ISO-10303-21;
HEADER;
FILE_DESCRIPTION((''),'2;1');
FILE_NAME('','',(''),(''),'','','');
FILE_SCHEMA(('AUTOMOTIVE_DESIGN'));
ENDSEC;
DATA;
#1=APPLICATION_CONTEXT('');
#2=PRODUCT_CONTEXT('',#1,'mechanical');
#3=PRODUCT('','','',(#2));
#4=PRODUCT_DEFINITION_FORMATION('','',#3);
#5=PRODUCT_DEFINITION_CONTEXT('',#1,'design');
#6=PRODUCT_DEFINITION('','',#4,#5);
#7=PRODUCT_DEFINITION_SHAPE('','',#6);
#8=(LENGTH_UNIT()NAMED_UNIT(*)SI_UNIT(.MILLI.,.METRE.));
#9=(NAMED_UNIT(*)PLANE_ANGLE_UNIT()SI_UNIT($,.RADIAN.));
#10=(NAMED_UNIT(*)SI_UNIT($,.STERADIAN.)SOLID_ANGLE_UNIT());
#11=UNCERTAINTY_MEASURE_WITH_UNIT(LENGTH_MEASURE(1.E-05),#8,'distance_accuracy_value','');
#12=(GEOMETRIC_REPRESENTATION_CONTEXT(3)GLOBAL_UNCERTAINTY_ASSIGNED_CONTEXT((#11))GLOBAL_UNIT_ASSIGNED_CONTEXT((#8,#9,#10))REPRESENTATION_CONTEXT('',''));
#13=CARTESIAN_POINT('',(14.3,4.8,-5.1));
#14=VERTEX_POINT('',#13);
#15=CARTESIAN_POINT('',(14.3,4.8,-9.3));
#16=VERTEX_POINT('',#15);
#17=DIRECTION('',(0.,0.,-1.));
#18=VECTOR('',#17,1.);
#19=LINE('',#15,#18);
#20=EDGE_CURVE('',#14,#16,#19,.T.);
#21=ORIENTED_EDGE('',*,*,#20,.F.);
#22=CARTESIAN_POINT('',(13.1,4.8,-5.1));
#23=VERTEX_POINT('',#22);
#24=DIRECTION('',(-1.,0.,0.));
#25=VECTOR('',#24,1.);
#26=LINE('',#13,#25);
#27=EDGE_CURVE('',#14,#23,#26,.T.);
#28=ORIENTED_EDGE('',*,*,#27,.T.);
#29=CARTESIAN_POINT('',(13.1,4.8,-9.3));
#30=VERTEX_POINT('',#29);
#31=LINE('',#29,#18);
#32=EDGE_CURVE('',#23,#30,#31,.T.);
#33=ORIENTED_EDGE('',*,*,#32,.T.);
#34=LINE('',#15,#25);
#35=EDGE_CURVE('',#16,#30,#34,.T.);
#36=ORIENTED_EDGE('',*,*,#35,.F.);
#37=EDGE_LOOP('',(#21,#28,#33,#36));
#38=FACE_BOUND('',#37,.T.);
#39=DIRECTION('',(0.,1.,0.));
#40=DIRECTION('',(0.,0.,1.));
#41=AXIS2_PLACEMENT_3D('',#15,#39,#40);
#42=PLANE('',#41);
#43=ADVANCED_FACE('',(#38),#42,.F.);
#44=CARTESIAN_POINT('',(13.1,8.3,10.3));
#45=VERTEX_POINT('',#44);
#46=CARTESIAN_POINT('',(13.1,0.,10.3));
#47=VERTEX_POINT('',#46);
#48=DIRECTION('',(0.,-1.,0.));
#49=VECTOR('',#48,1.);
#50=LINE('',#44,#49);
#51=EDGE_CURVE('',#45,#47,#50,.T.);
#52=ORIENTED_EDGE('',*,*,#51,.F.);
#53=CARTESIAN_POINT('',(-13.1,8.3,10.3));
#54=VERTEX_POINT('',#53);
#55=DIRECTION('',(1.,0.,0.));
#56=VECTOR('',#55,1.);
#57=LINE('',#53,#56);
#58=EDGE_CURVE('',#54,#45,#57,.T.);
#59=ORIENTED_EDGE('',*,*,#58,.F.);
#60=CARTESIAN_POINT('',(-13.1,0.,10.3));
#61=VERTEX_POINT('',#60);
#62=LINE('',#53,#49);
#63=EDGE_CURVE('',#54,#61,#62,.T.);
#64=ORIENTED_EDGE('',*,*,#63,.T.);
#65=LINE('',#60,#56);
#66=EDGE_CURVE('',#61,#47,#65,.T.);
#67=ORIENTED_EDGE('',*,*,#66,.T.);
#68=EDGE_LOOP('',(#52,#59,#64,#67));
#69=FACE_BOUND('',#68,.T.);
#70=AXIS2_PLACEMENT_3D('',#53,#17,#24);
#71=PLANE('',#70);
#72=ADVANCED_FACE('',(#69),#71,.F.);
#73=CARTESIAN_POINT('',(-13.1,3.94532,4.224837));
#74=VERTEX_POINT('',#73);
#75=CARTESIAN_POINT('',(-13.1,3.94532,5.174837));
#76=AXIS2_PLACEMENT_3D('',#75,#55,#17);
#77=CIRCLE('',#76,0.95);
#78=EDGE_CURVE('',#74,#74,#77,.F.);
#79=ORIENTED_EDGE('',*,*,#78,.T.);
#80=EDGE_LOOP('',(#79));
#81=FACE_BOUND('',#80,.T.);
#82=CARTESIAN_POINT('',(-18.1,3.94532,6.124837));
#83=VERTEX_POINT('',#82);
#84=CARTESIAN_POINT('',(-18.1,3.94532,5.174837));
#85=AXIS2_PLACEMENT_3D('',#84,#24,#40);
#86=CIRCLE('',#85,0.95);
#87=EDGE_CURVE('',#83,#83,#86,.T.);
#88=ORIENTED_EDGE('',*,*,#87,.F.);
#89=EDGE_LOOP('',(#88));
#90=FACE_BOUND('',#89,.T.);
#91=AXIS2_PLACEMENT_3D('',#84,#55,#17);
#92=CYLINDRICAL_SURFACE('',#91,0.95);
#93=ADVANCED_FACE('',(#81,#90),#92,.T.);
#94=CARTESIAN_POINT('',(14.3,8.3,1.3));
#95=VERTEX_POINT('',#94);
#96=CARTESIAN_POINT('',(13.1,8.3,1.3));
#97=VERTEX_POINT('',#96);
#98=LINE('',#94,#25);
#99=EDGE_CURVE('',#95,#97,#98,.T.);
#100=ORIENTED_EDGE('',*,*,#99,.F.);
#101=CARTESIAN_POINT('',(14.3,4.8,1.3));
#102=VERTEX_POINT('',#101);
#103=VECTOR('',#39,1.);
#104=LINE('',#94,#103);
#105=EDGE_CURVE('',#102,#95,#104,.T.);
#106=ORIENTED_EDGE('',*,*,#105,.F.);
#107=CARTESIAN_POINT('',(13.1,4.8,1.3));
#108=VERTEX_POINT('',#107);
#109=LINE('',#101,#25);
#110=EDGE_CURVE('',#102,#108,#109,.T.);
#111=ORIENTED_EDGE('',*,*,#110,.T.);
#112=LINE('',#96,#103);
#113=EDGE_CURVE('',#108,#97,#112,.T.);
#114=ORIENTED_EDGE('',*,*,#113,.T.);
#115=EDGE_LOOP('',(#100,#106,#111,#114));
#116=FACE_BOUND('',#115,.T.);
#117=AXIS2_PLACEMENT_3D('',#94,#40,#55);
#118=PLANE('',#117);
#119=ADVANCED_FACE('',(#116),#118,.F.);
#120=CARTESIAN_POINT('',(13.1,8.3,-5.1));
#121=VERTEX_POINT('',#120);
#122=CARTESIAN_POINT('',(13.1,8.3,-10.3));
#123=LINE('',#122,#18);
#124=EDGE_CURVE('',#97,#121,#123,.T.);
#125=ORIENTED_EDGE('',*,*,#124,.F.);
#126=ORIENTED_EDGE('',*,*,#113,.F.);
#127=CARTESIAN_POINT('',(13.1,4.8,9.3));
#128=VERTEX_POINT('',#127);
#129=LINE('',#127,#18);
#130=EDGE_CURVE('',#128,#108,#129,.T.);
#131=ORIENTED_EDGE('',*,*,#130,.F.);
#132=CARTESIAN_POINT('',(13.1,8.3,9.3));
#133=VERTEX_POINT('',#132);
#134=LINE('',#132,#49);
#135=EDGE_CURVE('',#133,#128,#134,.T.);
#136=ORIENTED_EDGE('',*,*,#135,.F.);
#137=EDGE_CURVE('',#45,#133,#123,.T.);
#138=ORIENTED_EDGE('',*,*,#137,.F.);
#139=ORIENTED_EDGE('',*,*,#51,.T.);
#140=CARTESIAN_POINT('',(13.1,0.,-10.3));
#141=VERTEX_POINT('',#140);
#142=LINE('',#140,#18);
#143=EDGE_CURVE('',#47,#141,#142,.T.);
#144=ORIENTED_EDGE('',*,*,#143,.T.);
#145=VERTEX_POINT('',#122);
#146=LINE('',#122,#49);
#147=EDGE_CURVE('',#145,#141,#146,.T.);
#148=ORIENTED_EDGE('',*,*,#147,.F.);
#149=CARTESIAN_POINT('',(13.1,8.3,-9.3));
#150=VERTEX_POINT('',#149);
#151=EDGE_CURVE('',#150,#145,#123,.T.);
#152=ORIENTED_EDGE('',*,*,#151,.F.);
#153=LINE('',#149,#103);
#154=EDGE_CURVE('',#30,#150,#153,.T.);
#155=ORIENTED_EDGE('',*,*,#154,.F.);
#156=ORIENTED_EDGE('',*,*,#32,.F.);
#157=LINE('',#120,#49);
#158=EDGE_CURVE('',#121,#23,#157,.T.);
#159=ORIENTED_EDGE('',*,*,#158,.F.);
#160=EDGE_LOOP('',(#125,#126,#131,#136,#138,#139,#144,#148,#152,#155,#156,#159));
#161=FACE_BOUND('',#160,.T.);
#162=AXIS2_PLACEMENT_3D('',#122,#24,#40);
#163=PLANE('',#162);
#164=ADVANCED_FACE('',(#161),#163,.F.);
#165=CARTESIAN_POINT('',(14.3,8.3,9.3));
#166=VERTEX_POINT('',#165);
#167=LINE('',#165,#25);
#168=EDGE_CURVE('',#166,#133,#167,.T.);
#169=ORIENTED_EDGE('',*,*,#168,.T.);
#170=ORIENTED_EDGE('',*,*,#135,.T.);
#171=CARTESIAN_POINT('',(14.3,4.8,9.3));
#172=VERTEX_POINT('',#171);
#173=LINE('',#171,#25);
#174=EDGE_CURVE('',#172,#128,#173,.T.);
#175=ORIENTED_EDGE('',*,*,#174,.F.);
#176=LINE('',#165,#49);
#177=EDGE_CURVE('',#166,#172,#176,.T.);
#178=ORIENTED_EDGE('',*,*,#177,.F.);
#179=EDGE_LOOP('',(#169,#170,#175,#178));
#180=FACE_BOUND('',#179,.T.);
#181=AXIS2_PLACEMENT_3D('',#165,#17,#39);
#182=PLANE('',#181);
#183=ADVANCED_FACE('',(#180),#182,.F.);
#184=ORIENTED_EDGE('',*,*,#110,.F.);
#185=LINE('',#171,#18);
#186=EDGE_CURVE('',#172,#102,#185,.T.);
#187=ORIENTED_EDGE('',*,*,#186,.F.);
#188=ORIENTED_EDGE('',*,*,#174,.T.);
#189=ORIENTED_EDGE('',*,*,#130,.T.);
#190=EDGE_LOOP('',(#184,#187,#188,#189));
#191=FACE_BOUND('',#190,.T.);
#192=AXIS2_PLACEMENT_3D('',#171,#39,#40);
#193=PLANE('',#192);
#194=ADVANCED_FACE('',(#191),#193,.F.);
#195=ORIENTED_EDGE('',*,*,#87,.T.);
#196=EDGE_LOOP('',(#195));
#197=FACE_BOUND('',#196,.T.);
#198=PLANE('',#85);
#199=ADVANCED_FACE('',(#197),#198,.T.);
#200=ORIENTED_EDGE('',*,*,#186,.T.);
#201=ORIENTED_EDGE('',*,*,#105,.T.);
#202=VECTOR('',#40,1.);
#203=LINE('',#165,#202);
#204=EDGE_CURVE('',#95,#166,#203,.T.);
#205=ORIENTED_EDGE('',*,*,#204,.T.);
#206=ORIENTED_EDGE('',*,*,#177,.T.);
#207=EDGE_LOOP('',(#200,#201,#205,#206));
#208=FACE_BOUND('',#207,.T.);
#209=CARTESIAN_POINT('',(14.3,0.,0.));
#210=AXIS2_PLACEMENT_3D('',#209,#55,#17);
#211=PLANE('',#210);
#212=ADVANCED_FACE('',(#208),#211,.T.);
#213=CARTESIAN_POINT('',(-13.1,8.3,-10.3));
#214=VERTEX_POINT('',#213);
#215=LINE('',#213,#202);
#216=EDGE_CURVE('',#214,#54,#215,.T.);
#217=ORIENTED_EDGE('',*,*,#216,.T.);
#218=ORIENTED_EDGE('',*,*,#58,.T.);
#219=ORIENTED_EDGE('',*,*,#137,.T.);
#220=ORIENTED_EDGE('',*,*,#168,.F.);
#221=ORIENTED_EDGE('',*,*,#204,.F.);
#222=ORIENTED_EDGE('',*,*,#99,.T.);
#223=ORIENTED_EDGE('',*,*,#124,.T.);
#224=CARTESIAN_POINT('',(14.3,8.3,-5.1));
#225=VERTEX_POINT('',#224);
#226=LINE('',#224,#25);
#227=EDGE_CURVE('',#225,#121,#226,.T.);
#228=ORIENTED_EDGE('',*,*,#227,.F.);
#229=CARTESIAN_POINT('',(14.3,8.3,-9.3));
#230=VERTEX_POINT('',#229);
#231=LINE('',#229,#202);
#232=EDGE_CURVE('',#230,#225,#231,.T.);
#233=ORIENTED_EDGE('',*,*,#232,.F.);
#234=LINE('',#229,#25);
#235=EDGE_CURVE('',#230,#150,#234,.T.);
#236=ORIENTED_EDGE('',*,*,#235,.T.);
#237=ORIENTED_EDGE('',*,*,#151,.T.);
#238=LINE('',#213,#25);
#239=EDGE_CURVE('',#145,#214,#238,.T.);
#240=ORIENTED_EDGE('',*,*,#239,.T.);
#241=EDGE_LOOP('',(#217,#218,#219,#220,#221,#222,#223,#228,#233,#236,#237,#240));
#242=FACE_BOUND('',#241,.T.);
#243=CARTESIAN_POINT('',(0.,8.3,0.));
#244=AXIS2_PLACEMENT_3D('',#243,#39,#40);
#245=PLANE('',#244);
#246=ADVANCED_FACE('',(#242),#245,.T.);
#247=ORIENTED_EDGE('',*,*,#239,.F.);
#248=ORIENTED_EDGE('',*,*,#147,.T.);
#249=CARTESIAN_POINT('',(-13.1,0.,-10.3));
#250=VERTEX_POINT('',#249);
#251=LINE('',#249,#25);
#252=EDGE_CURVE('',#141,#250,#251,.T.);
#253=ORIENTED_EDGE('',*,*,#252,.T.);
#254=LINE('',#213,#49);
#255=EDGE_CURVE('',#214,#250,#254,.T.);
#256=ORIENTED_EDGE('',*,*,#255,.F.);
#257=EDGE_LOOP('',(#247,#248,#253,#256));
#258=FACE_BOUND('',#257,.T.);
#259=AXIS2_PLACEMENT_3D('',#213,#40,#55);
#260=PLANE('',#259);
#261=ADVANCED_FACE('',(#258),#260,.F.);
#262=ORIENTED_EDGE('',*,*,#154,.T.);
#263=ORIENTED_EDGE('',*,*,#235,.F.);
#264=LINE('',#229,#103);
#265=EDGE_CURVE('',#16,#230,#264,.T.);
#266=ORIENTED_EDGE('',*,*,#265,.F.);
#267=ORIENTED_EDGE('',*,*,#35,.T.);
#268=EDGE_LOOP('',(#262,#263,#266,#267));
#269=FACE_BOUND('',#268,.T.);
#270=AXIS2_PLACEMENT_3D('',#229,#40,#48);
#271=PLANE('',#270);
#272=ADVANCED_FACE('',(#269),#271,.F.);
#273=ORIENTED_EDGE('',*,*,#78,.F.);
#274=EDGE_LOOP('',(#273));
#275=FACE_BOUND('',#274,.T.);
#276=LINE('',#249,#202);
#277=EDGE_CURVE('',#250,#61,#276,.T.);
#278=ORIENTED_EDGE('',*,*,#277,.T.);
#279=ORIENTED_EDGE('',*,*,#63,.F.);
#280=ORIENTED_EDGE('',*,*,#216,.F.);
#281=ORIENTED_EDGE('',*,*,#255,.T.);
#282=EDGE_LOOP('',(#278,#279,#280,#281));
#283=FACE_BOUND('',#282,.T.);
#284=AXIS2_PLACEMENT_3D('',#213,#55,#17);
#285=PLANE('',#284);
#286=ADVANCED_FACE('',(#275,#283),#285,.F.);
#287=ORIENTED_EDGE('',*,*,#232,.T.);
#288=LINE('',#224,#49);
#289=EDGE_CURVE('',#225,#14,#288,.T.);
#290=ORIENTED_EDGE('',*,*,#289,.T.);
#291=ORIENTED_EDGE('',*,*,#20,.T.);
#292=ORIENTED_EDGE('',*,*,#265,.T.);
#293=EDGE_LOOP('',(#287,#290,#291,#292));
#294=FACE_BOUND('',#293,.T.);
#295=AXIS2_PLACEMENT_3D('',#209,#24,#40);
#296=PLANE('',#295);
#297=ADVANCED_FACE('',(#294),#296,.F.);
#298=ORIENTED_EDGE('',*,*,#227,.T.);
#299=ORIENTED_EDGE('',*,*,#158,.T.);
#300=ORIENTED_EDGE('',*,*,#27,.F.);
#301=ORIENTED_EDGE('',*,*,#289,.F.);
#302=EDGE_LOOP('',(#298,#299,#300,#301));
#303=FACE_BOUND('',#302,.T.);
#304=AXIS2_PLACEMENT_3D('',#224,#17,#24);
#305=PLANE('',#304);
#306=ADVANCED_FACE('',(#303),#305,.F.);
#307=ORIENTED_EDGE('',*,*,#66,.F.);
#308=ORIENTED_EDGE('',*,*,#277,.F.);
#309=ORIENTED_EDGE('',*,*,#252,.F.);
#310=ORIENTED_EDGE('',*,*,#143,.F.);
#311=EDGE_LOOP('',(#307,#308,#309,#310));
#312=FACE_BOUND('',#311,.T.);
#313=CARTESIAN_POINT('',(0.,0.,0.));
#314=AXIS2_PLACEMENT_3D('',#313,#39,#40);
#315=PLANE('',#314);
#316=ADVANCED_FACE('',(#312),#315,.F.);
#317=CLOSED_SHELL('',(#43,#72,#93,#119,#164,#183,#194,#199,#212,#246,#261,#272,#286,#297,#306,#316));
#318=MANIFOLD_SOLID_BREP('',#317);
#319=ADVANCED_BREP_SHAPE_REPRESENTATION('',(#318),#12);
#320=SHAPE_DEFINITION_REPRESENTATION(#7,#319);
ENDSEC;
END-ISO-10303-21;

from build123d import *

# Parameters (mm, degrees)
SKETCH1_W           = 26.2
SKETCH1_H           = 20.6
BOSS_EXTRUDE1_DEPTH = 8.3
SKETCH2_W           = 8
SKETCH2_H           = 3.5
SKETCH2_W_2         = 4.2
BOSS_EXTRUDE2_DEPTH = 1.2
SKETCH3_R           = 0.95
BOSS_EXTRUDE3_DEPTH = 5


with BuildPart() as part:
    # Sketch1 → Boss-Extrude1 (new body)
    with BuildSketch(Plane(origin=(0, 0, 0), x_dir=(1, 0, 0), z_dir=(0, 1, 0))):
        Rectangle(SKETCH1_W, SKETCH1_H)
    extrude(amount=BOSS_EXTRUDE1_DEPTH)

    # Sketch2 → Boss-Extrude2 (add)
    with BuildSketch(Plane(origin=(13.1, 0, 0), x_dir=(0, 0, -1), z_dir=(1, 0, 0))):
        with Locations((-5.3, 6.55)):
            Rectangle(SKETCH2_W, SKETCH2_H)
        with Locations((7.2, 6.55)):
            Rectangle(SKETCH2_W_2, SKETCH2_H)
    extrude(amount=BOSS_EXTRUDE2_DEPTH)

    # Sketch3 → Boss-Extrude3 (add)
    with BuildSketch(Plane.ZY.offset(13.1)):
        with Locations(Location((5.174837269, 3.945319614, 0), (0, 0, 180))):
            Circle(SKETCH3_R)
    extrude(amount=BOSS_EXTRUDE3_DEPTH)


solid = part.part
